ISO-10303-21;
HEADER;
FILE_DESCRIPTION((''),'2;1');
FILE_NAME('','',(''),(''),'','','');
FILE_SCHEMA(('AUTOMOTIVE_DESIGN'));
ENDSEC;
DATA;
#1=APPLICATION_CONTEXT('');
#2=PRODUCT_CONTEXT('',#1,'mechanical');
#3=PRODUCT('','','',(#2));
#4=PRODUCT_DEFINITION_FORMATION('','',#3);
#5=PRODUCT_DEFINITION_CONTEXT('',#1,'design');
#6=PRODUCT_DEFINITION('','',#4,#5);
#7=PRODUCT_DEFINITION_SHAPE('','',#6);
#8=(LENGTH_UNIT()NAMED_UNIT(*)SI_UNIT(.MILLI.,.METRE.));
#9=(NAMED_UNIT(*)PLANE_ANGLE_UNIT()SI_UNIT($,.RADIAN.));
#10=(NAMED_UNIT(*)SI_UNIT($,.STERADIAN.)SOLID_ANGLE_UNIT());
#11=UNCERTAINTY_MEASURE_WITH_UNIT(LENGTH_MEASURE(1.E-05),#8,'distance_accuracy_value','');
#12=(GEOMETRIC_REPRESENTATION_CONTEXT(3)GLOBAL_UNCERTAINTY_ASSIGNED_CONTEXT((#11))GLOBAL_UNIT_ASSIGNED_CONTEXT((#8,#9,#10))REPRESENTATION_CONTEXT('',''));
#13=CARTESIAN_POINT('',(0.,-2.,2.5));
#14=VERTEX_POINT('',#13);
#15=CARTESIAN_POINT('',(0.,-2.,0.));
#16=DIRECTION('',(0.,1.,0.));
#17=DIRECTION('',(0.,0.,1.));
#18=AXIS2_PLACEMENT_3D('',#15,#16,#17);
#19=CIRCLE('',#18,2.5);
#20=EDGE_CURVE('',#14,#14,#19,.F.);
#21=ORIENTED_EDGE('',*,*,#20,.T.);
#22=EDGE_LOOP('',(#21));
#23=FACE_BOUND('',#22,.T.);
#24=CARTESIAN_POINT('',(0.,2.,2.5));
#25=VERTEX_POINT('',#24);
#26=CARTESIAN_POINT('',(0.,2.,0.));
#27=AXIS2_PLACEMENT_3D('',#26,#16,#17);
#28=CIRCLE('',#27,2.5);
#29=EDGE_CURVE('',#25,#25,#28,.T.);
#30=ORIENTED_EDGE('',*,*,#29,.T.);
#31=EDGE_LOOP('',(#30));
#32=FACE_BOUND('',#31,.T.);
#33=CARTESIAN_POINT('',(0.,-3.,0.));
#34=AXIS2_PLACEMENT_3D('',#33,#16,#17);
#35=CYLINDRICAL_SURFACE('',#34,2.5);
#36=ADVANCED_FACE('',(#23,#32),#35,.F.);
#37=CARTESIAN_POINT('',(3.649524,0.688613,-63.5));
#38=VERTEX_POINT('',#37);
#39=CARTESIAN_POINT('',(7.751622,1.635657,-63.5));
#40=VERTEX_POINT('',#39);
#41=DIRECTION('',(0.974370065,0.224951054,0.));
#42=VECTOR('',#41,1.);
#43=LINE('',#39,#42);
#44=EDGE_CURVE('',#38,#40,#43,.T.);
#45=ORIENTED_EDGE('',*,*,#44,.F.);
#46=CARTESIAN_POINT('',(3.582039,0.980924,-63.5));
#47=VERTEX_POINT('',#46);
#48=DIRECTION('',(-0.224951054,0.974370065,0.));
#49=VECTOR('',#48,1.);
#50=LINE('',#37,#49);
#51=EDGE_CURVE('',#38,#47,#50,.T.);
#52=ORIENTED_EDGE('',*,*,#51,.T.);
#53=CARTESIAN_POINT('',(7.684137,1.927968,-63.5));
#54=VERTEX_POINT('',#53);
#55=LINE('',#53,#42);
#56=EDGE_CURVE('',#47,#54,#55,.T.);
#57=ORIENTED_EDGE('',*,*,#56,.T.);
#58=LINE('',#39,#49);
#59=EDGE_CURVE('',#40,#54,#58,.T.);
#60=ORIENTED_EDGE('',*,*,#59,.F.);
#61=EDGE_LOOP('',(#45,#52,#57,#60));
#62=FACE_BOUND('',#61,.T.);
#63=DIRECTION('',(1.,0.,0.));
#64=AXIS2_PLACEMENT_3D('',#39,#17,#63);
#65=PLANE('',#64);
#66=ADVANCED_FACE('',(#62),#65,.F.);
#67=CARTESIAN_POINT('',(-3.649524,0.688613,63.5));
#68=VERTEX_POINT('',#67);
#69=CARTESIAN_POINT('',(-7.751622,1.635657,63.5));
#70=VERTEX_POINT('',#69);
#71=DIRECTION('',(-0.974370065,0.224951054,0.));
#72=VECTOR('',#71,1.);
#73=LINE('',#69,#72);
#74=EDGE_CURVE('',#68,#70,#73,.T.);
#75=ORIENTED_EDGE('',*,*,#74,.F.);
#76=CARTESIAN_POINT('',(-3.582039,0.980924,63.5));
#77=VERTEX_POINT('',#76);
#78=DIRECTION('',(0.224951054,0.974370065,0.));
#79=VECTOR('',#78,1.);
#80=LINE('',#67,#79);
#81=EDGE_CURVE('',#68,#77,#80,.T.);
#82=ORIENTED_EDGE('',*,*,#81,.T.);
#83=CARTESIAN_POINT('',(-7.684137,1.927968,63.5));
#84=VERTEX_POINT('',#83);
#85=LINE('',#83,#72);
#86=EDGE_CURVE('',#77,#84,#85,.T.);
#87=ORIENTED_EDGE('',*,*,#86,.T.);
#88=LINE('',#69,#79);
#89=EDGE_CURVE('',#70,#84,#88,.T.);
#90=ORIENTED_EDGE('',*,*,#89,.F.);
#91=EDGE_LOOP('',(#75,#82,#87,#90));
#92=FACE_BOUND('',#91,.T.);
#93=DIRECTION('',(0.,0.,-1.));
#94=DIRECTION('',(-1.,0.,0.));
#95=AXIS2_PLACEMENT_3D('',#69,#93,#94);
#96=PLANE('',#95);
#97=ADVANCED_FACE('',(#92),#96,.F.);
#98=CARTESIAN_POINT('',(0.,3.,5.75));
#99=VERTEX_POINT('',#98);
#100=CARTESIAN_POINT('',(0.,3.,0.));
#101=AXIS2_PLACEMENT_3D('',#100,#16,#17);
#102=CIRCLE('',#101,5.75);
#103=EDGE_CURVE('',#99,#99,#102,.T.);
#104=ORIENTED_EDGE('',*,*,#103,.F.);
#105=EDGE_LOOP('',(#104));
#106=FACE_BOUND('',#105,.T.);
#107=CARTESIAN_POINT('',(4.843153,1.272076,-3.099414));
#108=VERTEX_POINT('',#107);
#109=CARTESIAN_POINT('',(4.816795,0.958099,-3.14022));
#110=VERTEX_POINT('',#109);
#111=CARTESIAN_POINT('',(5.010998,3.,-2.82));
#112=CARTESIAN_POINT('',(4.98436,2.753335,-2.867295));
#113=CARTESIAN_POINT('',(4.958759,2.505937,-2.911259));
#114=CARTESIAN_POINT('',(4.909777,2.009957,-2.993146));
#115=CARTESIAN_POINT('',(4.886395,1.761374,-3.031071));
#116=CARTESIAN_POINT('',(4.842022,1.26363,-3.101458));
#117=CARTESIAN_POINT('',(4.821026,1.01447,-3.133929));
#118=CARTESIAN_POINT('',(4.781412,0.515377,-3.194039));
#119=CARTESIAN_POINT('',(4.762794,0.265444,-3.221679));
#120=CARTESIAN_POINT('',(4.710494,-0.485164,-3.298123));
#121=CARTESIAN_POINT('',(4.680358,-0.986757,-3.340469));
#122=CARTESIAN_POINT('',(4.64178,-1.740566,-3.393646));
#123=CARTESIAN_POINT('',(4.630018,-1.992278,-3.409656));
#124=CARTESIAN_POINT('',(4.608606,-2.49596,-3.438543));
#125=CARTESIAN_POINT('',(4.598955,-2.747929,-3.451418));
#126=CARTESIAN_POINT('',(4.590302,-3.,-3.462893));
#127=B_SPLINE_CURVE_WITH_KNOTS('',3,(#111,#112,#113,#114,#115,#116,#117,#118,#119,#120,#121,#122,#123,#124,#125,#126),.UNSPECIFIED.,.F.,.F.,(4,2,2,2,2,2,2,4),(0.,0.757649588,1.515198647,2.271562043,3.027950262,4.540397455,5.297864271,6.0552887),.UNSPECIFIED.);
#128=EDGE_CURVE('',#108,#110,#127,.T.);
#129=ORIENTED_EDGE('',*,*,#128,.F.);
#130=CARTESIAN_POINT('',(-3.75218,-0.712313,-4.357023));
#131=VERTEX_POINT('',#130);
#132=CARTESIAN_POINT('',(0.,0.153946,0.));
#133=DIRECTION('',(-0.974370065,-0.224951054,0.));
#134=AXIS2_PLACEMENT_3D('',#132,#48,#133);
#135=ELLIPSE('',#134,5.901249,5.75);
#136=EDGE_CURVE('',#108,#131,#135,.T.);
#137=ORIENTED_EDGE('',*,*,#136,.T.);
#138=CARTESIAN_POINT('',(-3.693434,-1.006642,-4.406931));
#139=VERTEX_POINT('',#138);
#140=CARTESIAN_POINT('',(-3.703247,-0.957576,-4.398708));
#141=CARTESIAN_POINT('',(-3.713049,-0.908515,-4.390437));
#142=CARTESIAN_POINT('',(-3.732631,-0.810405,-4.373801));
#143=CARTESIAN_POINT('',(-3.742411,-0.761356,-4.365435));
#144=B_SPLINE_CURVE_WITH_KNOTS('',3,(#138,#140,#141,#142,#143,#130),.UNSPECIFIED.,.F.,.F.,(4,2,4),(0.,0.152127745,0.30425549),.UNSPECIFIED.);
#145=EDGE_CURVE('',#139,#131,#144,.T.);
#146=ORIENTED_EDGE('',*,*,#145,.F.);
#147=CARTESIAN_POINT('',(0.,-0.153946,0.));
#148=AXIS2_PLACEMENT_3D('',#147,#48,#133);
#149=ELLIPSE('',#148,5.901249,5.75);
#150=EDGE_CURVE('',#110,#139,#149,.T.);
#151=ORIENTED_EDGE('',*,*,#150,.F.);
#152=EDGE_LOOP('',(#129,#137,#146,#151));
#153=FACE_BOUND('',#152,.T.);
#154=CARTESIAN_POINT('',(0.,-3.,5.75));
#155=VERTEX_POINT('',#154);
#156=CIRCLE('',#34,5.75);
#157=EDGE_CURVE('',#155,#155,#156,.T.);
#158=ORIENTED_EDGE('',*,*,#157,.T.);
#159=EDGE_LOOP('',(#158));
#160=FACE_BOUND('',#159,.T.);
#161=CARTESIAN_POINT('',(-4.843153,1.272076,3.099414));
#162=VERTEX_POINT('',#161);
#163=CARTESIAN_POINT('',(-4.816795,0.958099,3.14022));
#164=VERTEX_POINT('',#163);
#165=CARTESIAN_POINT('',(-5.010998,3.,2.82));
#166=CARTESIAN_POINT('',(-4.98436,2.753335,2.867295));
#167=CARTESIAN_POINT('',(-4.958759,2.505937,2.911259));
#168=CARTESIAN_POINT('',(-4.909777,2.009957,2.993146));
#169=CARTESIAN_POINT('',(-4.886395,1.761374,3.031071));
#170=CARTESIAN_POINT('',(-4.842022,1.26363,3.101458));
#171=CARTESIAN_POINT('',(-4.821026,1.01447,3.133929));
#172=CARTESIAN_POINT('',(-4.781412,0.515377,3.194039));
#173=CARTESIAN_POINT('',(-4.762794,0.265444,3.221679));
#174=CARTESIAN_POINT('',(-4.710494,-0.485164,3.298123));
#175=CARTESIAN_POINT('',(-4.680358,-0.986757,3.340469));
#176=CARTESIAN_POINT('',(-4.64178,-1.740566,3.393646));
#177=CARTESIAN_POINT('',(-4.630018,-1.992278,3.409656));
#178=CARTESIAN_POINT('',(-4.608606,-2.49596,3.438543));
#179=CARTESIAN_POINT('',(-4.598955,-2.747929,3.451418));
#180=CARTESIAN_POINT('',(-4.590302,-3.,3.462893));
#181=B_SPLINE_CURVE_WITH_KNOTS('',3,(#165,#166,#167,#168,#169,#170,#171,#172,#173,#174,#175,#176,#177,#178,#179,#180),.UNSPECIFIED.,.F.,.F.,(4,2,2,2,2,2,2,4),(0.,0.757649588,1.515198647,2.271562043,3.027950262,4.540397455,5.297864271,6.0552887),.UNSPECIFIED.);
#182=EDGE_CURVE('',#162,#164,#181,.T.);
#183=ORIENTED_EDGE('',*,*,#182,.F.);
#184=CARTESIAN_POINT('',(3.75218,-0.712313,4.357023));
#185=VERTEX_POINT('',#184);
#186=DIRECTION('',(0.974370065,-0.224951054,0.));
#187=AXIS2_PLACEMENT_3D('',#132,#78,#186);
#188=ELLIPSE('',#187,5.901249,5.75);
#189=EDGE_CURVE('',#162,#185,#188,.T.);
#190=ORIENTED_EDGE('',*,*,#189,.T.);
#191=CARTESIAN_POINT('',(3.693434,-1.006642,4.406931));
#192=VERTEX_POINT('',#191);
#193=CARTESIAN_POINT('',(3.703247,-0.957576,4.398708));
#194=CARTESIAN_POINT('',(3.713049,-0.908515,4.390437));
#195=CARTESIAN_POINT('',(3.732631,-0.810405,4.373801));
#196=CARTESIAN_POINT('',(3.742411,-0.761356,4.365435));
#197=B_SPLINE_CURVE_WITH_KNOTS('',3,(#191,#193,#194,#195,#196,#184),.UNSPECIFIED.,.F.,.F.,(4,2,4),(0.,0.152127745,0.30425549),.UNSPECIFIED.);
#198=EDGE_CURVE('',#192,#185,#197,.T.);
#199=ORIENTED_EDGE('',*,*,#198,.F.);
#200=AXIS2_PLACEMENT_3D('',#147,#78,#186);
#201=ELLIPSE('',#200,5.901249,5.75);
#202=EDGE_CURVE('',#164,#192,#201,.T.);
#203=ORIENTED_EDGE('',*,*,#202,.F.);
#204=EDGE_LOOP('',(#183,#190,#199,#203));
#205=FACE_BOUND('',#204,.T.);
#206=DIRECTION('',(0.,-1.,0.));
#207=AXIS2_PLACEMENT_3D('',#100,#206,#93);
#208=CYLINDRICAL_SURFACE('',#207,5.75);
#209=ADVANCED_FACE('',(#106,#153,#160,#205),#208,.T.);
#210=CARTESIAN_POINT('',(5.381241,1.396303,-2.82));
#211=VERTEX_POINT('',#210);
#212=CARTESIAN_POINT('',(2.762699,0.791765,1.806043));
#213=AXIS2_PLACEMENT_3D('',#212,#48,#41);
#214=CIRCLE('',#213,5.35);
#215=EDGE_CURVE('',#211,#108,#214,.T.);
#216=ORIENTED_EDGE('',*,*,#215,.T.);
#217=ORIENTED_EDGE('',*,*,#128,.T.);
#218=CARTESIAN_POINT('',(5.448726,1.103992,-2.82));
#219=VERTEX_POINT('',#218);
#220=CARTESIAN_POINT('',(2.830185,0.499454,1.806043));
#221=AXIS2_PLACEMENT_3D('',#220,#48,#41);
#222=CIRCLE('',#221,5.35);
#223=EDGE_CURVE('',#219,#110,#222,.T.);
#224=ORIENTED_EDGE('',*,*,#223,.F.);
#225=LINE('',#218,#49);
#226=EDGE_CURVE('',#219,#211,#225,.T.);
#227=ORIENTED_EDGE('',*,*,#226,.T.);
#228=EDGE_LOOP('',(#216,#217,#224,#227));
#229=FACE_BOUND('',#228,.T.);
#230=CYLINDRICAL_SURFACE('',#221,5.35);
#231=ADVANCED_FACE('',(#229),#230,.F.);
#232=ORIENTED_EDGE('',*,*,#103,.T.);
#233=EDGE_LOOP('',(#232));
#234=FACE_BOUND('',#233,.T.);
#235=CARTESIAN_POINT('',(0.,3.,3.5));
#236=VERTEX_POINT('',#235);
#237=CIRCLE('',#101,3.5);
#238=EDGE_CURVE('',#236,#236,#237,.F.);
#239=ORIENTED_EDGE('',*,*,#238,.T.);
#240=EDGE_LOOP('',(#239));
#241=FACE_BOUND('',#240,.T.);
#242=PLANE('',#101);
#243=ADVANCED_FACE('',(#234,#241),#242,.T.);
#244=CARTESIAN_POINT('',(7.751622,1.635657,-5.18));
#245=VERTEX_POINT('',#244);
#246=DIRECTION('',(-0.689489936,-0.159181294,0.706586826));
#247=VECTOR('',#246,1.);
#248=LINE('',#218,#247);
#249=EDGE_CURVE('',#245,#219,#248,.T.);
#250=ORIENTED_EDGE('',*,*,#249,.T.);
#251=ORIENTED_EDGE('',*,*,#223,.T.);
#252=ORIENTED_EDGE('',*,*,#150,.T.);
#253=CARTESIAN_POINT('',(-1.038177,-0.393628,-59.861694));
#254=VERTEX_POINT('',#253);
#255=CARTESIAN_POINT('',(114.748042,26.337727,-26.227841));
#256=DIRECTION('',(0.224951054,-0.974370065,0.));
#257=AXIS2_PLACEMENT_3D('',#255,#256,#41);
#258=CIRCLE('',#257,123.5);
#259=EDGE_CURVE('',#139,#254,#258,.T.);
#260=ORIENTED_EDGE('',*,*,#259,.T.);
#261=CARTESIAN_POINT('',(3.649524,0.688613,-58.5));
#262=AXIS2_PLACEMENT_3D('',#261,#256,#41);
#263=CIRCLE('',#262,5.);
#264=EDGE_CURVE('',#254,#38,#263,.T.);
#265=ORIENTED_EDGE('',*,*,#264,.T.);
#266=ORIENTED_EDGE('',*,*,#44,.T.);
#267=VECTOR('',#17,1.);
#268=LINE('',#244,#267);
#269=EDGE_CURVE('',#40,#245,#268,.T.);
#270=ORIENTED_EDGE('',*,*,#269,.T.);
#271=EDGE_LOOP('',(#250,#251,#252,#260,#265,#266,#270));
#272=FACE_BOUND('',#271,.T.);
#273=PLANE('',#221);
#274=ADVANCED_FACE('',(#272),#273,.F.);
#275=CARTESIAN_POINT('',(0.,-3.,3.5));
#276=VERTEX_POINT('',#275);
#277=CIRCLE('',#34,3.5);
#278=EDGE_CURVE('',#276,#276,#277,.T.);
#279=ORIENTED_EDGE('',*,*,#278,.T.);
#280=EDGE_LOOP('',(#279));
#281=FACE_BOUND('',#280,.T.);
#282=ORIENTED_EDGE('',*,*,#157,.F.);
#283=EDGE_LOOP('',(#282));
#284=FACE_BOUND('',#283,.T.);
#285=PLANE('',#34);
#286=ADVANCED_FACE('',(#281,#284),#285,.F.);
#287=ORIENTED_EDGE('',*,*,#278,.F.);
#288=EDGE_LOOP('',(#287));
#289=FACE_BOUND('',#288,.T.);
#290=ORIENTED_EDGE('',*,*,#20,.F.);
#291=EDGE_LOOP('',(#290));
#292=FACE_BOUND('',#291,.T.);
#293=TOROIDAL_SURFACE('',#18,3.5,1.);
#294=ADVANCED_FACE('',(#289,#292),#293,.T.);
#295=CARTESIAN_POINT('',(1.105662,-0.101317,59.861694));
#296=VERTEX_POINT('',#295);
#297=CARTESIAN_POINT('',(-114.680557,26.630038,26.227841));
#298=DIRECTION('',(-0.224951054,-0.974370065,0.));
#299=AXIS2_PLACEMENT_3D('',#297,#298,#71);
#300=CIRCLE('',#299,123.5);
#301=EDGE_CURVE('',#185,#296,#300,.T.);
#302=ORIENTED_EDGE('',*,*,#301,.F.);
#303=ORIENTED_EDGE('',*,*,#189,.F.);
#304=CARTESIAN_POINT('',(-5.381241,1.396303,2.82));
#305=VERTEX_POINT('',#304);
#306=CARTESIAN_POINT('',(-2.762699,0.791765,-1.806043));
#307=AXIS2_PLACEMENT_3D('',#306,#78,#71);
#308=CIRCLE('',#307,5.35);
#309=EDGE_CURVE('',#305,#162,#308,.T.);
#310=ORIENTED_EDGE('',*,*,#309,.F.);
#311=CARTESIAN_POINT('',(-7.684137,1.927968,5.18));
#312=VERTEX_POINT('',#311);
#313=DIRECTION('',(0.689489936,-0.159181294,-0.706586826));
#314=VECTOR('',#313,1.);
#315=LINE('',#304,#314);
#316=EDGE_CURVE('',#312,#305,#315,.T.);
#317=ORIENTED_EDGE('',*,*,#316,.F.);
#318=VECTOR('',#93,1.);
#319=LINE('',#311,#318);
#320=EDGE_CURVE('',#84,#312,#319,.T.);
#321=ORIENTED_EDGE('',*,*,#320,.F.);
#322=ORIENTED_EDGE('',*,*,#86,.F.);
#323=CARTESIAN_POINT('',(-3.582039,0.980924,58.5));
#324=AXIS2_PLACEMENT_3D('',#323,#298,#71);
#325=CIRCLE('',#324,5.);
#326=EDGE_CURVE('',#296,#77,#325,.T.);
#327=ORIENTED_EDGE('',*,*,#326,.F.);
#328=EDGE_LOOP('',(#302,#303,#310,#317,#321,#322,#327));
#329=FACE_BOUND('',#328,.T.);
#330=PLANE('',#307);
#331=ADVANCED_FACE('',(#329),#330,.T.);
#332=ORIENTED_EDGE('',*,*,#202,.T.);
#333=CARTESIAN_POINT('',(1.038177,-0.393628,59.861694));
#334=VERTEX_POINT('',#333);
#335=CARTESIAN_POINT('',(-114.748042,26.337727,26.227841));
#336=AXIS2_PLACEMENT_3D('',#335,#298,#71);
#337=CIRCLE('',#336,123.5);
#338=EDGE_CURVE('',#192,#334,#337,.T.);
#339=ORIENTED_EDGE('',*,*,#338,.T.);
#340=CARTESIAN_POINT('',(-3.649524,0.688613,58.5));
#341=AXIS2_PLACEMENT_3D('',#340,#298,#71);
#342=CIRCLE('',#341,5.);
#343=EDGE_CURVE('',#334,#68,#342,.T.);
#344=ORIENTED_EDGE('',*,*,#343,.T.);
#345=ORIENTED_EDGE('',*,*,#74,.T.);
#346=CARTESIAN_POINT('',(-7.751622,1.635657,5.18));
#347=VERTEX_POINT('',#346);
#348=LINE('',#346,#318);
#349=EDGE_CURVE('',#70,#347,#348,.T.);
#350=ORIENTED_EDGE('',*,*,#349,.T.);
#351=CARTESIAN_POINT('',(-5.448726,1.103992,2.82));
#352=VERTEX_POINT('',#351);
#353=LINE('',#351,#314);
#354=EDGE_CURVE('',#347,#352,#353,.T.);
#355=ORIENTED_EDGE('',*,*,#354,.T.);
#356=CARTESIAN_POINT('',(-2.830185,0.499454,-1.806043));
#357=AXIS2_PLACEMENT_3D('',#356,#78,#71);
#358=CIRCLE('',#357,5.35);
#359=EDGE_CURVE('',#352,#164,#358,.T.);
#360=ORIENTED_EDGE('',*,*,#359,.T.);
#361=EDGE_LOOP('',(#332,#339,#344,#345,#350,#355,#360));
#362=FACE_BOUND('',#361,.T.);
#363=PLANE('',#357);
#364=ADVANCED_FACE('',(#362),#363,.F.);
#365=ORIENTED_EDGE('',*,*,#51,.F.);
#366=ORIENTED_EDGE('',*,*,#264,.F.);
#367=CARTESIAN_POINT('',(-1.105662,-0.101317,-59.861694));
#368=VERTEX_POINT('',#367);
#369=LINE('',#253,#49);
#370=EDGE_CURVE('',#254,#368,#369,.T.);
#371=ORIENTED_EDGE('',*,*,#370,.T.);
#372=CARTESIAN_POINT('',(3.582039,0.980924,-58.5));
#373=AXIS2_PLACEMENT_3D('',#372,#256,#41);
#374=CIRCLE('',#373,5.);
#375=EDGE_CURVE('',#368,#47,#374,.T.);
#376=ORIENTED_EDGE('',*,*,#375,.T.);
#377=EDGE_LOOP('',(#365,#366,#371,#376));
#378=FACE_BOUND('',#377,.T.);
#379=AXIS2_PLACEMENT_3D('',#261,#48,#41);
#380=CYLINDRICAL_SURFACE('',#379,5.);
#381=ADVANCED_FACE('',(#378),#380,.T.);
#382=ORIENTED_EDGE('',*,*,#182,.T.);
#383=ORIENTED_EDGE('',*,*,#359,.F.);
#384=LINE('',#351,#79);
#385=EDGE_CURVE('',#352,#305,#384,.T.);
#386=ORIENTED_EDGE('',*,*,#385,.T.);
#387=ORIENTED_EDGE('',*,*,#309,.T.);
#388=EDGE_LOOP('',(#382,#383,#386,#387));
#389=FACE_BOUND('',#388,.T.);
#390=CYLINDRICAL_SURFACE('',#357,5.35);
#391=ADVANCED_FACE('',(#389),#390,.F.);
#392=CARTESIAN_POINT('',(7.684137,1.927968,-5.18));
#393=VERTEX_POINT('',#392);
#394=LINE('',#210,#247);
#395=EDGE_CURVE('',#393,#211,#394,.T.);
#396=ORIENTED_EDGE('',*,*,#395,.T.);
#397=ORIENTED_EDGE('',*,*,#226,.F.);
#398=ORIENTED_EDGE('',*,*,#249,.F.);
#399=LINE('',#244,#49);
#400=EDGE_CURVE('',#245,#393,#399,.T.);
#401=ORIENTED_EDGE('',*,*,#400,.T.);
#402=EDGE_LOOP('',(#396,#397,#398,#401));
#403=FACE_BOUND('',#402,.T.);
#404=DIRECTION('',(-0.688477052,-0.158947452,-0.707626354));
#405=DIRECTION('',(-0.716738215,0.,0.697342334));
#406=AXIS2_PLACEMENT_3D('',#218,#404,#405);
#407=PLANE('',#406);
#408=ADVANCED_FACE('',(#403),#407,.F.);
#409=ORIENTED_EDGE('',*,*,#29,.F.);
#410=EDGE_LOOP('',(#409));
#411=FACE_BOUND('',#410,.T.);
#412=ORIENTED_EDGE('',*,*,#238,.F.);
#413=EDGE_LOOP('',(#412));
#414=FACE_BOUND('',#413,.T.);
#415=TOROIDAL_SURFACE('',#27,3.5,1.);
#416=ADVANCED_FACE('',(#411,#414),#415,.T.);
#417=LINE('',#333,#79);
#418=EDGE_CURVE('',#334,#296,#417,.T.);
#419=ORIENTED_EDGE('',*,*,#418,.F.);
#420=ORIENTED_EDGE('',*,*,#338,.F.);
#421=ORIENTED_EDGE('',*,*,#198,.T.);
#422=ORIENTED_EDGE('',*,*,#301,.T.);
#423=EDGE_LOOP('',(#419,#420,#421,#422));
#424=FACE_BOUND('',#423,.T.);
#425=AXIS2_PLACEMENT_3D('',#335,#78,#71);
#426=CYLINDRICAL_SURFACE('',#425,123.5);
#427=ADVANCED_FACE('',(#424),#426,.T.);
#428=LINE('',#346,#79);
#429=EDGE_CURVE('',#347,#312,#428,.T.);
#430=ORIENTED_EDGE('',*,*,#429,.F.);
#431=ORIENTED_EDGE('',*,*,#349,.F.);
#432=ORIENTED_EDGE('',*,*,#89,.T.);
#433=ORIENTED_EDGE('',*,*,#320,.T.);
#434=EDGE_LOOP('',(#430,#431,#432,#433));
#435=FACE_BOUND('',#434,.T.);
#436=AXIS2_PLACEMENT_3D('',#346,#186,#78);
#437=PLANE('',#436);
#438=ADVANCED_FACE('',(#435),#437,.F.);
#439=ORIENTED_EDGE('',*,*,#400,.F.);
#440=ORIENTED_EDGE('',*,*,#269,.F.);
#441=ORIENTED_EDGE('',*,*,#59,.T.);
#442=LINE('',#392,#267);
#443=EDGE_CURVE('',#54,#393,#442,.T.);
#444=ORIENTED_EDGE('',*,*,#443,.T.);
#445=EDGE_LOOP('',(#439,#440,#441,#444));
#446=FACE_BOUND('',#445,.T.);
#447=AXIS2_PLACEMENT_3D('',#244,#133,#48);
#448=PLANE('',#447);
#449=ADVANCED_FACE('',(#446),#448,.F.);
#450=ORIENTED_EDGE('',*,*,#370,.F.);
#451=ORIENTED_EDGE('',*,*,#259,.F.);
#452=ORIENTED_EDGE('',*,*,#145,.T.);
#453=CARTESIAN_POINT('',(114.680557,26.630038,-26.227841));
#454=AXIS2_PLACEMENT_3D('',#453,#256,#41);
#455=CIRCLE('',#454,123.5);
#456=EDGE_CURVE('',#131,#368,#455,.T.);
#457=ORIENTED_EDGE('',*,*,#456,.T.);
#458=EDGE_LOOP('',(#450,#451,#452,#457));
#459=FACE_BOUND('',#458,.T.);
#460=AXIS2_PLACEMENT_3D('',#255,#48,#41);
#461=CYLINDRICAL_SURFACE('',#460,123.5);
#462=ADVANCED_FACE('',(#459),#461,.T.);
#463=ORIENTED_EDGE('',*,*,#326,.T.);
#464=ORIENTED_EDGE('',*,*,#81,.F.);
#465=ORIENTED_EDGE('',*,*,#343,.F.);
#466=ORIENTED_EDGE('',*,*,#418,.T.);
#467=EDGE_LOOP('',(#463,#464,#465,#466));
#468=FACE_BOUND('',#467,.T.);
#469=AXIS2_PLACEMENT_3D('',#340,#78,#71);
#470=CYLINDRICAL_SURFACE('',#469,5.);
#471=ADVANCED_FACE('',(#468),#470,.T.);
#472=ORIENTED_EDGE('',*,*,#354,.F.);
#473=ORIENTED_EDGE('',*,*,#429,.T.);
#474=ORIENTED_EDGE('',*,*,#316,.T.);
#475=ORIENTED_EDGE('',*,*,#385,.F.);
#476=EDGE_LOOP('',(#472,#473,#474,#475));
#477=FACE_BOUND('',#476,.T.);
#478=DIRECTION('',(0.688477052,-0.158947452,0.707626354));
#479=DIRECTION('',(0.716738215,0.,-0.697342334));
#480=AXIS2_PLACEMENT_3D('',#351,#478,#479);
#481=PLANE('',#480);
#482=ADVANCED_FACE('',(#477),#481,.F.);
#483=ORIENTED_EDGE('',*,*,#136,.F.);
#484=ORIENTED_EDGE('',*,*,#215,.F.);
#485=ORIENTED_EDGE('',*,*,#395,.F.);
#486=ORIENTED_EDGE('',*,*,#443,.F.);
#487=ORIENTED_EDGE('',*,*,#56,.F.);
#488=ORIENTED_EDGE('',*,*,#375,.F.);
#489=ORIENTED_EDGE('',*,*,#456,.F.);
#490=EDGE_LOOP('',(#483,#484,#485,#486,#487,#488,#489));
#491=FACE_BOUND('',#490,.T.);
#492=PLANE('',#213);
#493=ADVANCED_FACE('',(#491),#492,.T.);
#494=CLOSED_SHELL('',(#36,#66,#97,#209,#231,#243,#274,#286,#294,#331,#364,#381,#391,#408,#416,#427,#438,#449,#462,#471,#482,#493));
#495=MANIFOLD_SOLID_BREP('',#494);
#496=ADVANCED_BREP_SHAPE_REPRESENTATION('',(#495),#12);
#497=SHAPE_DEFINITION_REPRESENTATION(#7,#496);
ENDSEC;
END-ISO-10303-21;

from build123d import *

# Parameters (mm, degrees)
SKETCH1_R           = 5.75
BOSS_EXTRUDE2_DEPTH = 3
BOSS_EXTRUDE3_DEPTH = 0.15
CIRPATTERN1_COUNT   = 2
SKETCH7_R           = 2.5
CUT_EXTRUDE1_DEPTH  = 65.252141201
FILLET1_R           = 1


with BuildPart() as part:
    # Sketch1 → Boss-Extrude2 (new, symmetric)
    with BuildSketch(Plane(origin=(0, 0, 0), x_dir=(1, 0, 0), z_dir=(0, 1, 0))):
        with Locations(Location((0, 0, 0), (0, 0, 270))):
            Circle(SKETCH1_R)
    extrude(amount=BOSS_EXTRUDE2_DEPTH, both=True)

    # Sketch6 → Boss-Extrude3 (add, symmetric)
    with BuildSketch(Plane(origin=(0, 0, 0), x_dir=(0.9743700647852352, -0.22495105434386534, 0), z_dir=(-0.2249510543438653, -0.9743700647852351, 0))):
        with BuildLine():
            Line((-5.557419516, 2.82), (-7.920891538, 5.18))
            Line((-7.920891538, 5.18), (-7.920891538, 63.5))
            Line((-7.920891538, 63.5), (-3.710891538, 63.5))
            ThreePointArc((-3.710891538, 63.5), (-0.694973133, 62.488011556), (1.100115443, 59.861694468))
            ThreePointArc((1.100115443, 59.861694468), (5.738056471, 28.958255312), (2.470780015, -2.12))
            ThreePointArc((2.470780015, -2.12), (-0.066255988, 2.750437774), (-5.557419516, 2.82))
        make_face()
    boss_extrude3 = extrude(amount=BOSS_EXTRUDE3_DEPTH, both=True)

    # CirPattern1: Boss-Extrude3 ×2 about axis
    cirpattern1_axis = Axis((0, 0, 0), (0, 1, 0))
    for i in range(1, CIRPATTERN1_COUNT):
        add(boss_extrude3.rotate(cirpattern1_axis, i * 360 / CIRPATTERN1_COUNT))

    # Sketch7 → Cut-Extrude1 (cut, through all)
    with BuildSketch(Plane(origin=(0, 3, 0), x_dir=(1, 0, 0), z_dir=(0, 1, 0))):
        with Locations(Location((0, 0, 0), (0, 0, 270))):
            Circle(SKETCH7_R)
    extrude(amount=-CUT_EXTRUDE1_DEPTH, mode=Mode.SUBTRACT)

    # Fillet1
    fillet1_edges = [part.edges().sort_by_distance(p)[0] for p in [
        (0, -3, -2.5),
        (0, 3, -2.5),
    ]]
    fillet(fillet1_edges, radius=FILLET1_R)


solid = part.part
